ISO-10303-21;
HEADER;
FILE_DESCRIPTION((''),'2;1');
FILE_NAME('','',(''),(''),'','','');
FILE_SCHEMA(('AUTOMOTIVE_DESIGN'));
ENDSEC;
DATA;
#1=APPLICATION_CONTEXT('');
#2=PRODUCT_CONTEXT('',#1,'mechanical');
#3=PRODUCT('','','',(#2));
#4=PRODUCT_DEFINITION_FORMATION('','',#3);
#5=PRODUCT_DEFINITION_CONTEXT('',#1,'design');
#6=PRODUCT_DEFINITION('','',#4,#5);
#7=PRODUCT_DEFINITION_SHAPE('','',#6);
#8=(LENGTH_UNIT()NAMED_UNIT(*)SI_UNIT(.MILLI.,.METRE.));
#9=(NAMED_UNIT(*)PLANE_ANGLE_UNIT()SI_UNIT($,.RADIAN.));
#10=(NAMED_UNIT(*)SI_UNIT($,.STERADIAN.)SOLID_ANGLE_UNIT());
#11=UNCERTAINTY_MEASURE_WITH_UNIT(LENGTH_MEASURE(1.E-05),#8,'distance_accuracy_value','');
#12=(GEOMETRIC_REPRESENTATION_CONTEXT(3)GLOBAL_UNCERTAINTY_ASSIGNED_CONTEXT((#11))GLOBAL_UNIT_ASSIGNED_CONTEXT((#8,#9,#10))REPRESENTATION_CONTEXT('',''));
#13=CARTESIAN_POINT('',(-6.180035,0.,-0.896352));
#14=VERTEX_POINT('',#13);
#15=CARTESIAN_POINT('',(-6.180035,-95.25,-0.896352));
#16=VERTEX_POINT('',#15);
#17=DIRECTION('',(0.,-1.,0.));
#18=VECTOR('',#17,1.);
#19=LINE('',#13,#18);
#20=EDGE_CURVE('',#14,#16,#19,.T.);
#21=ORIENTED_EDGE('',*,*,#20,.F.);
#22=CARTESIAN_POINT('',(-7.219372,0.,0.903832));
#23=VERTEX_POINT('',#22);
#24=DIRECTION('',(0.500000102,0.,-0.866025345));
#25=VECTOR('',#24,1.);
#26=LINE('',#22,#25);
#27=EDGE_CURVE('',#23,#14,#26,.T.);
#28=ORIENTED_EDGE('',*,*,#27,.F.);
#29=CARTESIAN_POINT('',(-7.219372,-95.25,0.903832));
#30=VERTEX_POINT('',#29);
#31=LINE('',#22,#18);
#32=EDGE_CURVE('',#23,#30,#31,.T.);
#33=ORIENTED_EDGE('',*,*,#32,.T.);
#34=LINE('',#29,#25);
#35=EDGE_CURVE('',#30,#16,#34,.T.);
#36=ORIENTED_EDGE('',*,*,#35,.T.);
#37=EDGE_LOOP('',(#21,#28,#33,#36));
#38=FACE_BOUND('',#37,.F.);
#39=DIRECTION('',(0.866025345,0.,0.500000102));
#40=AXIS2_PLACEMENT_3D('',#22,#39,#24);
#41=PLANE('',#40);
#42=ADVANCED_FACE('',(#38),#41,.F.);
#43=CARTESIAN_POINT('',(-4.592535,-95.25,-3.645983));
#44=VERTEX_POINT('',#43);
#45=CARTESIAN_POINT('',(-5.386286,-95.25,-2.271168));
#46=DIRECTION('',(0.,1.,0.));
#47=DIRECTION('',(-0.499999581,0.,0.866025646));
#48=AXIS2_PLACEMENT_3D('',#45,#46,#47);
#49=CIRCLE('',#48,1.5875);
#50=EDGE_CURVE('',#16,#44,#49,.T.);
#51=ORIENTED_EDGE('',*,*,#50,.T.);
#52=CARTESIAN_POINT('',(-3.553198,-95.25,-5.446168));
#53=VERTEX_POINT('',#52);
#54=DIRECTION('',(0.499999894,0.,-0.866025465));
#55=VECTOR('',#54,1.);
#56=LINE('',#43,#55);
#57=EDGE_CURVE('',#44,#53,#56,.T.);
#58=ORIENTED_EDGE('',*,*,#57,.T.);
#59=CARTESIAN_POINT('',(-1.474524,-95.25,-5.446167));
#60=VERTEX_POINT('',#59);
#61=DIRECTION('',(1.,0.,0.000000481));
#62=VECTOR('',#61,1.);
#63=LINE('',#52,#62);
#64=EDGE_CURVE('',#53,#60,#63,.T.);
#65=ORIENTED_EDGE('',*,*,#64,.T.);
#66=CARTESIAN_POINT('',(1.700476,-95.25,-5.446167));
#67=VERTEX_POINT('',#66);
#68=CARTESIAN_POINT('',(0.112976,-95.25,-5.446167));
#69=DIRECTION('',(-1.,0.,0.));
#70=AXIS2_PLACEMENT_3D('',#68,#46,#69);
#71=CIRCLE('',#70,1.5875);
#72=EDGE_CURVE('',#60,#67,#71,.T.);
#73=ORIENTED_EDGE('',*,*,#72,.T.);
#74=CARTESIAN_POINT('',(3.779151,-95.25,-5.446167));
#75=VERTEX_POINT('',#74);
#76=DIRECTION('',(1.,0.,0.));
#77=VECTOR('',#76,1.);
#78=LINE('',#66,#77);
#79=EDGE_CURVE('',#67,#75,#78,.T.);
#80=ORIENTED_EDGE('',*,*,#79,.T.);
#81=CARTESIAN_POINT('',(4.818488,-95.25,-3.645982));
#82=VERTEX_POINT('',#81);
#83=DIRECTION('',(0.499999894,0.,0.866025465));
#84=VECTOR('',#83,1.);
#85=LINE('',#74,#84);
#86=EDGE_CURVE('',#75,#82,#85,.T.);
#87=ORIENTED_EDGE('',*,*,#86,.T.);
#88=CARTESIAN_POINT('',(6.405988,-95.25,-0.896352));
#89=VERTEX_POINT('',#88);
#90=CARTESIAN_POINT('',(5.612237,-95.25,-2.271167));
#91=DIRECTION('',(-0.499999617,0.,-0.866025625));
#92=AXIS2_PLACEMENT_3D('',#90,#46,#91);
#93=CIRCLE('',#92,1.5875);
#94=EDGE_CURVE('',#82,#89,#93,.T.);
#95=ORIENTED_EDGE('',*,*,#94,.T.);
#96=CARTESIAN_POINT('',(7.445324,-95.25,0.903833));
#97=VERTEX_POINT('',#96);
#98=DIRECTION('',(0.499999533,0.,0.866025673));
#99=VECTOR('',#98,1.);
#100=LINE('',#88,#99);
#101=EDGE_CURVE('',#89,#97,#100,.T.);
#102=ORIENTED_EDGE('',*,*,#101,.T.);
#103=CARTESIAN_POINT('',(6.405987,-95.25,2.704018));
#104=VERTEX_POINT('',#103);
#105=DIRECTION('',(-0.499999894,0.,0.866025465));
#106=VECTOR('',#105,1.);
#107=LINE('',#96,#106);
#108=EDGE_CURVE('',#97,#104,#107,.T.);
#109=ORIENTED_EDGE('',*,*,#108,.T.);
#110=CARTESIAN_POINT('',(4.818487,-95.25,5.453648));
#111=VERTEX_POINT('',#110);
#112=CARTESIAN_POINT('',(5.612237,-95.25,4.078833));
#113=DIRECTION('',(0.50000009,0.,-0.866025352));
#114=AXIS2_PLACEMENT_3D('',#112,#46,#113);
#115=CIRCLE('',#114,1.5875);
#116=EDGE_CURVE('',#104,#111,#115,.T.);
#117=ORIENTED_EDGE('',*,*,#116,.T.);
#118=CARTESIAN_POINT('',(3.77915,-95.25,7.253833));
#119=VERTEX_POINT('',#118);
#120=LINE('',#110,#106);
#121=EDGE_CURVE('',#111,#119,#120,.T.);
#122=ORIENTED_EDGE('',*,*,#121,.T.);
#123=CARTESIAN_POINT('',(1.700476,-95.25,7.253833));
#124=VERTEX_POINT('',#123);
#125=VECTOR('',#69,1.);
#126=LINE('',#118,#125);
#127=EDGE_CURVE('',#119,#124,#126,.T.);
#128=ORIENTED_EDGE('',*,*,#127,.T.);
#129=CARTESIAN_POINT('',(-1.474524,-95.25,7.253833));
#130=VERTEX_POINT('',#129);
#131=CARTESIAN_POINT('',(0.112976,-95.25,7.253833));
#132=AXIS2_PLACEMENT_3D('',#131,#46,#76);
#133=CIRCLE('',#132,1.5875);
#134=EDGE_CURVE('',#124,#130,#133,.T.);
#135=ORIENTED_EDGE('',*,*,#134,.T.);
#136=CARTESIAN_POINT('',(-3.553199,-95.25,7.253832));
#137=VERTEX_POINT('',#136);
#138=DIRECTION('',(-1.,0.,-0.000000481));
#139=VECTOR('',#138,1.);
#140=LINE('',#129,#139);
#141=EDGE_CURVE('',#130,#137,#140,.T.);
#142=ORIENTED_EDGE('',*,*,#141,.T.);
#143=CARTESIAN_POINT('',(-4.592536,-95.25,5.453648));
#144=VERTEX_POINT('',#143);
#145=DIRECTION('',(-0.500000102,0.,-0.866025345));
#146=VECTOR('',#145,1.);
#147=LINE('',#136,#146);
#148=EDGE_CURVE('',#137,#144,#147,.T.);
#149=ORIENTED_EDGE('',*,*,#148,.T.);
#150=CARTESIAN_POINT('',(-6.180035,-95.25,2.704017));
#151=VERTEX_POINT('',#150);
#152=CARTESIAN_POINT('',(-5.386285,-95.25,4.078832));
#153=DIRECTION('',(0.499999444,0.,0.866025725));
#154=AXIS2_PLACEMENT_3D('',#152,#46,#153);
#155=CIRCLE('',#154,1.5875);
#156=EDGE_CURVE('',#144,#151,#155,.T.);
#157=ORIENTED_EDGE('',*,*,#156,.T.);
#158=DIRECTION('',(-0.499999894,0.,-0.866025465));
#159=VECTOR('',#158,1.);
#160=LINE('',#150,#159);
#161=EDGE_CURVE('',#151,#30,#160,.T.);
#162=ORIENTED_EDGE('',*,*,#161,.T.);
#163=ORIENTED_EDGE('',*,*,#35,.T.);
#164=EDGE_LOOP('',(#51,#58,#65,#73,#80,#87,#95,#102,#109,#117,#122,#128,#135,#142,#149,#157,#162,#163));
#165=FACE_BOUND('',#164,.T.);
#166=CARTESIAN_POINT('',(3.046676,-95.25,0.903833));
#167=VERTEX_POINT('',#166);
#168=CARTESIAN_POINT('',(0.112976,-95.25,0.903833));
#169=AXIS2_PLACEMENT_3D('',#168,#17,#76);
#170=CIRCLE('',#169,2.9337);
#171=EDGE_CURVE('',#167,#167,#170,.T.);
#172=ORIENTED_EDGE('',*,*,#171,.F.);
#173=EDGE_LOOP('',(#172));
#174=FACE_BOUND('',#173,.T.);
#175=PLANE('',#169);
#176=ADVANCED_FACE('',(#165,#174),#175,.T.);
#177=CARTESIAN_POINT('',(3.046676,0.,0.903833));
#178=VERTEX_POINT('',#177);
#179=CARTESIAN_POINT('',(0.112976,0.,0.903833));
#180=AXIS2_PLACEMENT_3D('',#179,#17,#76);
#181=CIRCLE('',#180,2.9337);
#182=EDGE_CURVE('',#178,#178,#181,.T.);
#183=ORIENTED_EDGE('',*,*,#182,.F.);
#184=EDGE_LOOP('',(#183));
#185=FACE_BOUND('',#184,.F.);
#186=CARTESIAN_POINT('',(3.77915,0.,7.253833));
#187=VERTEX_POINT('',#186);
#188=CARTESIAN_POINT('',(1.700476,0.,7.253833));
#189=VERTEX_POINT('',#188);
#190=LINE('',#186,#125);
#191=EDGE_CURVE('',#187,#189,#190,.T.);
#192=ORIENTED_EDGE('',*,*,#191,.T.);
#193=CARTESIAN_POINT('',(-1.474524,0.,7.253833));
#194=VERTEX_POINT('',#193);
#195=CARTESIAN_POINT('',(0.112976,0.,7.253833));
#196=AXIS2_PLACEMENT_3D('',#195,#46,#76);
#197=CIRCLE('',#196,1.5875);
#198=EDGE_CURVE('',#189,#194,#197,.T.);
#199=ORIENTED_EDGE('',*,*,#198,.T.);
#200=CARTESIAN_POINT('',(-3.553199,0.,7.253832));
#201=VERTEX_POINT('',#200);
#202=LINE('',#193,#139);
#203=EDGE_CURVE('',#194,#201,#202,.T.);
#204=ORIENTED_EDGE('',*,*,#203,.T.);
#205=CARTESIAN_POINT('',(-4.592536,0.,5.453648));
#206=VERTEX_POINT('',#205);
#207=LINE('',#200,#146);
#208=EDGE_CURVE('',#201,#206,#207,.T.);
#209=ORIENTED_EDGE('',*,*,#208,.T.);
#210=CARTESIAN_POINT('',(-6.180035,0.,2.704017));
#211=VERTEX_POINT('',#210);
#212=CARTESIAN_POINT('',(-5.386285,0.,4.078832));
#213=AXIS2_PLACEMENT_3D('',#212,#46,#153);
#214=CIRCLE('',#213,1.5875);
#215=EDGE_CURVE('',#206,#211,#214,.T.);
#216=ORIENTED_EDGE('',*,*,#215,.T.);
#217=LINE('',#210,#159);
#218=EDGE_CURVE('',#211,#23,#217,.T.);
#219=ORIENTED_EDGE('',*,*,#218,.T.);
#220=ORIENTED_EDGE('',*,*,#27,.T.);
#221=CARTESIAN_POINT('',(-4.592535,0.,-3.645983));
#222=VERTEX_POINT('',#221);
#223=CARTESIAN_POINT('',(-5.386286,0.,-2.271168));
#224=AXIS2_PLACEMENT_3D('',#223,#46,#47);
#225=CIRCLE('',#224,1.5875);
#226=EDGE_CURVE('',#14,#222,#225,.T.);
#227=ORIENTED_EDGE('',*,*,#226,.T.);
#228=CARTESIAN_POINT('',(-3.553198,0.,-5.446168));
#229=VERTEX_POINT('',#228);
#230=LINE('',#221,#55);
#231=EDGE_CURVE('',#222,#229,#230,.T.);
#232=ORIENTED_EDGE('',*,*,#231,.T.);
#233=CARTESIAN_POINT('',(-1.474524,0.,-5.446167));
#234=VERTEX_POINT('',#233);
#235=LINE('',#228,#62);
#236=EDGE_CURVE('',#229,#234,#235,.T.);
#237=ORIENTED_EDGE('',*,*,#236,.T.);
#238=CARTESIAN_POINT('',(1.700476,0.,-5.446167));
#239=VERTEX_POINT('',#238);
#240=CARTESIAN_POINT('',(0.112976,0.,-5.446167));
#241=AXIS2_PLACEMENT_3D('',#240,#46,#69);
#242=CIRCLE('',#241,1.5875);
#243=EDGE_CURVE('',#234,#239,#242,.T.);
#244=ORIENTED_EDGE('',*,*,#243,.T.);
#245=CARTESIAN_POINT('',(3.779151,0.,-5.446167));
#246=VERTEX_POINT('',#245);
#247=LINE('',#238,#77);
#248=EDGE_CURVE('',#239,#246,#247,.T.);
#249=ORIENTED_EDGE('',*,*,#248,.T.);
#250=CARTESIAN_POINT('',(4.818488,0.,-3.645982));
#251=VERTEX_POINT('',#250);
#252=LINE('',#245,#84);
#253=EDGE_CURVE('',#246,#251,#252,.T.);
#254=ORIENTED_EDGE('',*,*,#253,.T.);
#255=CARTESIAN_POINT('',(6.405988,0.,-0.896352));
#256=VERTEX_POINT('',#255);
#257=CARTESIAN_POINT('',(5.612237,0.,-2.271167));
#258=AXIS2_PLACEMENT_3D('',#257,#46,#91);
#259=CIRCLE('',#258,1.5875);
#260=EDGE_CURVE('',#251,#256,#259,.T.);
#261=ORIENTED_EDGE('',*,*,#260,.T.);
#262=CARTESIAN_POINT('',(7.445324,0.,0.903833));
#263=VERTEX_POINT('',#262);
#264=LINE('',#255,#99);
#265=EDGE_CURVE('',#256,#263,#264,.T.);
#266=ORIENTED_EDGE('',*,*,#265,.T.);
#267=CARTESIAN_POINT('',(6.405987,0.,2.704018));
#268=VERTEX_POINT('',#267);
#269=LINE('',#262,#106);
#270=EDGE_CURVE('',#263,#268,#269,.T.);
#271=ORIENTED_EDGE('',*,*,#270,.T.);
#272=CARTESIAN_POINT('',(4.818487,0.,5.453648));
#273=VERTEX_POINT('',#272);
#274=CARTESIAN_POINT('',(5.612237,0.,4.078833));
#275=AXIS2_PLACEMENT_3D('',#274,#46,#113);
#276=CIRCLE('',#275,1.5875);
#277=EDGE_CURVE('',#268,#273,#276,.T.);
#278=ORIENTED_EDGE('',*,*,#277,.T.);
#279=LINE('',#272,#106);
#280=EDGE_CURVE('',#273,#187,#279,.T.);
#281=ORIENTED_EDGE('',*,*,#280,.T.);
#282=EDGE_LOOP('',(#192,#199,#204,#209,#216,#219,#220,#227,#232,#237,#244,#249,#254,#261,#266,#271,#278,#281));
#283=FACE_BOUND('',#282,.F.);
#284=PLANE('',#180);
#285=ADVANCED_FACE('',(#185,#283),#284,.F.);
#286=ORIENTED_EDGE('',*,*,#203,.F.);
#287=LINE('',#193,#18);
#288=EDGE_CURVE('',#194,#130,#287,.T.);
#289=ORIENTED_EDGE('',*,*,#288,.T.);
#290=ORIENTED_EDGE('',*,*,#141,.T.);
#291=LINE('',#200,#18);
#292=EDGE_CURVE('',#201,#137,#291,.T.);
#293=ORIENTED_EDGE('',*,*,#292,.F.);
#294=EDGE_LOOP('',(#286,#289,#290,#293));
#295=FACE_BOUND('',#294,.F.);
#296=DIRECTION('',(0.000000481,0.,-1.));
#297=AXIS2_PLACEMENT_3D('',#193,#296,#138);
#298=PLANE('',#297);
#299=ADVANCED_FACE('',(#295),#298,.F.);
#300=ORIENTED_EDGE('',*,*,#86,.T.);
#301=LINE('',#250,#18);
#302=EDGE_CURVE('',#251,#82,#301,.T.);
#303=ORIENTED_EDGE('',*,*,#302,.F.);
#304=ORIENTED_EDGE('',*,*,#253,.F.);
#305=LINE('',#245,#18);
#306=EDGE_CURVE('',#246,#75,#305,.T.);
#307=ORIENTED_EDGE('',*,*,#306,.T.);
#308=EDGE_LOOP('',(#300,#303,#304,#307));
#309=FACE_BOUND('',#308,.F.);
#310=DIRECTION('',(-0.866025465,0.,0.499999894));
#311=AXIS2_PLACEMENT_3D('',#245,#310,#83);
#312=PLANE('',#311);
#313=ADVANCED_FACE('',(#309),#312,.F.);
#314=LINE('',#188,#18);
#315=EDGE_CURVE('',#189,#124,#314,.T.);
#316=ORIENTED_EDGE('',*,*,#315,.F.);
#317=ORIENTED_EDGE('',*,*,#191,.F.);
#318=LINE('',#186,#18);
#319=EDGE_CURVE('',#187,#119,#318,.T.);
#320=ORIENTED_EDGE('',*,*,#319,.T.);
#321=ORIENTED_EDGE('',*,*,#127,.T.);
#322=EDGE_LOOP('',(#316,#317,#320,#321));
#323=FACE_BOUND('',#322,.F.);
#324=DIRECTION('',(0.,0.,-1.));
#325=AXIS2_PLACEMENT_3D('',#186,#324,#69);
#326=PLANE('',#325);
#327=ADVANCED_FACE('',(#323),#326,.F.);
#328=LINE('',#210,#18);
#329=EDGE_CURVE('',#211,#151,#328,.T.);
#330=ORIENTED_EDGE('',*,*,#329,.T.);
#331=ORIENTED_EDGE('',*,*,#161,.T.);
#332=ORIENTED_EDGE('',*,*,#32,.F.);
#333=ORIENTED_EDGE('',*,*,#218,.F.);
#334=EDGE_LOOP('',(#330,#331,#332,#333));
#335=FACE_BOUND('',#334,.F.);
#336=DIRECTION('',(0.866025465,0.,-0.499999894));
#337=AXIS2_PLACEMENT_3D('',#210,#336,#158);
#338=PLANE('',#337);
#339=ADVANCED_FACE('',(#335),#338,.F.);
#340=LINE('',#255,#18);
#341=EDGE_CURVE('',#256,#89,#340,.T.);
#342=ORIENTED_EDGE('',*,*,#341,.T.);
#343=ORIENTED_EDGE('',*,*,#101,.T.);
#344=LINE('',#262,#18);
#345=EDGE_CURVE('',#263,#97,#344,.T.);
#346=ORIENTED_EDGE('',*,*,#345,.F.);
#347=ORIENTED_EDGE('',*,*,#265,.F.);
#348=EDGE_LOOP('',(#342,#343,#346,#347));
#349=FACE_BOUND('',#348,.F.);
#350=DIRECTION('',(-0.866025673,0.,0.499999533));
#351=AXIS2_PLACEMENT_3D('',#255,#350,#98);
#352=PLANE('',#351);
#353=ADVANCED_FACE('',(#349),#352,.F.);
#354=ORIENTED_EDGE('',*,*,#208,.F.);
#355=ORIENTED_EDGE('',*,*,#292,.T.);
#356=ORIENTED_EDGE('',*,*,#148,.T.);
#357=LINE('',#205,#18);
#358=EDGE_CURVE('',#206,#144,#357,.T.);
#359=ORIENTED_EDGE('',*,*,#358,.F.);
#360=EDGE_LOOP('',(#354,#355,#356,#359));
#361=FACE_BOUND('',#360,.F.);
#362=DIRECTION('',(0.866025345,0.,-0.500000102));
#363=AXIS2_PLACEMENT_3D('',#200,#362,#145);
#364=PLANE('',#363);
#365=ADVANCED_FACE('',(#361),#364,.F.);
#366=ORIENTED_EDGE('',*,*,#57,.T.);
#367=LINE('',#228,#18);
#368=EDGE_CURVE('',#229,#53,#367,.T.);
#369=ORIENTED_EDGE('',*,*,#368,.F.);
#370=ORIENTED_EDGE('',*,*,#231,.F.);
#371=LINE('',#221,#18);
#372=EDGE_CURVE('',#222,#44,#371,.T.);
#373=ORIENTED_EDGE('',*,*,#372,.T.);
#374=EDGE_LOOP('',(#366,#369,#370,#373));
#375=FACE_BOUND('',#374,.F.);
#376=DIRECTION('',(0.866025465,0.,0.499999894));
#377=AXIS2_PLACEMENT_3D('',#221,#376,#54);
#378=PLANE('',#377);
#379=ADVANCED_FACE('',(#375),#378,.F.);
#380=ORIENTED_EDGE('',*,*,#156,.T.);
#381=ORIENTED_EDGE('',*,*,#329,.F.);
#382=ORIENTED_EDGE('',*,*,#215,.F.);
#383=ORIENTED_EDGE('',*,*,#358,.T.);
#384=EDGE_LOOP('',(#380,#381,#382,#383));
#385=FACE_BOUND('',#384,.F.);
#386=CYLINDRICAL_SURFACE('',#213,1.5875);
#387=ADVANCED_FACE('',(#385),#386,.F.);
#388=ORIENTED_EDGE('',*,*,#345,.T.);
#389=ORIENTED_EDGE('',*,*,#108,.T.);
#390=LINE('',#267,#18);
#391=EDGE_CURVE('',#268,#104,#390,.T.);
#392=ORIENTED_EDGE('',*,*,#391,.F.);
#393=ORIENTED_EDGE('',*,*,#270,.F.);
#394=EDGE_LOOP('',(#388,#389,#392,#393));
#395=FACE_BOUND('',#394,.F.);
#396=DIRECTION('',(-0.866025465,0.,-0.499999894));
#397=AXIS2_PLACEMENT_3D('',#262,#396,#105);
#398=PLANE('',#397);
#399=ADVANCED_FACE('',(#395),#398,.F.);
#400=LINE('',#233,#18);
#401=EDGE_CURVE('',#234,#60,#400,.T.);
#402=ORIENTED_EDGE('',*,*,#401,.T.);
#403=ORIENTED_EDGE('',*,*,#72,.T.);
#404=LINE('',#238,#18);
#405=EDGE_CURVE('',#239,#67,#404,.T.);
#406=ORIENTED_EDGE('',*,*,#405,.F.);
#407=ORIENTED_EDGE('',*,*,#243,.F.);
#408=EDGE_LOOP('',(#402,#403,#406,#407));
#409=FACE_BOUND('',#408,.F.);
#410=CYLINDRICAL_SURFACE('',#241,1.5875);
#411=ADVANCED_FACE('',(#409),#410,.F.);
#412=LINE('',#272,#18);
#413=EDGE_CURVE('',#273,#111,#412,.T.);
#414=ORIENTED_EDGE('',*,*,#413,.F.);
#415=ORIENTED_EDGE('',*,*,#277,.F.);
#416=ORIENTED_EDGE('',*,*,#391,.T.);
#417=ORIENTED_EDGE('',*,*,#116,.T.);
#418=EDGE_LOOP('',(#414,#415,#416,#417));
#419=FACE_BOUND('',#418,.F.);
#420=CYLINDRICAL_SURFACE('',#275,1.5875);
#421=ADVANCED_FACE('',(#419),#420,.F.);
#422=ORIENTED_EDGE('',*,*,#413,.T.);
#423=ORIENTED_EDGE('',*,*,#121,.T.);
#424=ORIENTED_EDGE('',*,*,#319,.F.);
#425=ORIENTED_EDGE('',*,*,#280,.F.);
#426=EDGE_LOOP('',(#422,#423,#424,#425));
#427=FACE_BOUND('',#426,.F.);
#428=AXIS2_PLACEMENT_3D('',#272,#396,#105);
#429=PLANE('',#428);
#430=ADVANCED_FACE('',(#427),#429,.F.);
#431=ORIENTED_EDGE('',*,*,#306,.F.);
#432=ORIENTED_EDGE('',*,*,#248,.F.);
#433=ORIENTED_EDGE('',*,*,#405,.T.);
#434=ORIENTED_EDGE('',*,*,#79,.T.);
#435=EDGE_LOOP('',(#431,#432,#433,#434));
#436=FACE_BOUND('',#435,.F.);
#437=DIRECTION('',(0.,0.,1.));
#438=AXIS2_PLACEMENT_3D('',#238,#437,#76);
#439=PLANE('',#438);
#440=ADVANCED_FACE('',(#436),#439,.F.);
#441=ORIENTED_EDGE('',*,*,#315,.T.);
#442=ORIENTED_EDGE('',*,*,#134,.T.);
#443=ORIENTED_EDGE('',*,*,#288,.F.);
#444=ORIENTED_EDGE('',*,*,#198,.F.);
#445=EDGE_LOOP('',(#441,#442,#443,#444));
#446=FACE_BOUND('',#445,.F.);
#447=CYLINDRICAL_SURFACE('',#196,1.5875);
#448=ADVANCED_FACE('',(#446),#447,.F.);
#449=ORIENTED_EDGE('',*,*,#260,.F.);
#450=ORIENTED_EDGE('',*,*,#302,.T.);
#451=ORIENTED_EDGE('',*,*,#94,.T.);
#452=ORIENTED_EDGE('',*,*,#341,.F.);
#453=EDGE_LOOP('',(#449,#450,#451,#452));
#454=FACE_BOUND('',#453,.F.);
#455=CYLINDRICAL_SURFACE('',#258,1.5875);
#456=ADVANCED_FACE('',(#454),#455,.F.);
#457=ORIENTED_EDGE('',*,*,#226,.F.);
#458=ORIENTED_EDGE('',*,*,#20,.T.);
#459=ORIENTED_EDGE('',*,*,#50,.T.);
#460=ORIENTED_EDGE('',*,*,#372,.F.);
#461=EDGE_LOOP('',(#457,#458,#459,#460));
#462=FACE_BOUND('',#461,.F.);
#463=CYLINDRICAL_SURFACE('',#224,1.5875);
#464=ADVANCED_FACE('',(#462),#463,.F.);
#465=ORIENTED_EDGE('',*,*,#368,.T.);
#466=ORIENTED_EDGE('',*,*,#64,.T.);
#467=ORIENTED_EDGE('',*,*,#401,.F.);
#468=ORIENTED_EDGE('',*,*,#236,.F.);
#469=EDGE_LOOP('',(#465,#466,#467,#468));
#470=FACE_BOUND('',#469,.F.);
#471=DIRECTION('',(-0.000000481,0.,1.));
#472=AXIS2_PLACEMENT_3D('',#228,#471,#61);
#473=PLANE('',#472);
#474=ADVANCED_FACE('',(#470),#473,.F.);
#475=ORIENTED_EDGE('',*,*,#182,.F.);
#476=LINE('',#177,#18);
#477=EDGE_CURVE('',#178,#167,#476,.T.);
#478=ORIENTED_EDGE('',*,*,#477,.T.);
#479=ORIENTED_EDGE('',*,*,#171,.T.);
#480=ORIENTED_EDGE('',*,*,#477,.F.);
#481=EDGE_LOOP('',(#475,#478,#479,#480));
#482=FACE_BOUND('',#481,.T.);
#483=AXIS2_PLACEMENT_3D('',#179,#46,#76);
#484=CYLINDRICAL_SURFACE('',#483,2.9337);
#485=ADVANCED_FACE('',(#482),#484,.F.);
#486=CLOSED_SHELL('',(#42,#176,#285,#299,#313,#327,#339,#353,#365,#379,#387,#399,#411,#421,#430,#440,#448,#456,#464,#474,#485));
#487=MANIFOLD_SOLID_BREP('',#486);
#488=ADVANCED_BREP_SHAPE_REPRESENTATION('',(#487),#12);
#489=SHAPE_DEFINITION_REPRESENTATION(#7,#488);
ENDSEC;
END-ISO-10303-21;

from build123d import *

# Parameters (mm, degrees)
F0_R     = 2.9337
F1_DEPTH = 95.25


with BuildPart() as f1:
    # F0 (on Front) → F1 (new body)
    with BuildSketch(Plane.XZ):
        with BuildLine():
            ThreePointArc((4.818488, -3.645982), (4.237422, -1.477417), (6.405988, -0.896352))
            Line((6.405988, -0.896352), (7.445324, 0.903833))
            Line((7.445324, 0.903833), (6.405987, 2.704018))
            ThreePointArc((6.405987, 2.704018), (4.237422, 3.285083), (4.818487, 5.453648))
            Line((4.818487, 5.453648), (3.77915, 7.253833))
            Line((3.77915, 7.253833), (1.700476, 7.253833))
            ThreePointArc((1.700476, 7.253833), (0.112976, 5.666333), (-1.474524, 7.253833))
            Line((-1.474524, 7.253833), (-3.553199, 7.253832))
            Line((-3.553199, 7.253832), (-4.592536, 5.453648))
            ThreePointArc((-4.592536, 5.453648), (-4.01147, 3.285082), (-6.180035, 2.704017))
            Line((-6.180035, 2.704017), (-7.219372, 0.903832))
            Line((-7.219372, 0.903832), (-6.180035, -0.896352))
            ThreePointArc((-6.180035, -0.896352), (-4.01147, -1.477418), (-4.592535, -3.645983))
            Line((-4.592535, -3.645983), (-3.553198, -5.446168))
            Line((-3.553198, -5.446168), (-1.474524, -5.446167))
            ThreePointArc((-1.474524, -5.446167), (0.112976, -3.858667), (1.700476, -5.446167))
            Line((1.700476, -5.446167), (3.779151, -5.446167))
            Line((3.779151, -5.446167), (4.818488, -3.645982))
        make_face()
        with Locations((0.112976, 0.903833)):
            Circle(F0_R, mode=Mode.SUBTRACT)
    extrude(amount=F1_DEPTH)


solid = f1.part
